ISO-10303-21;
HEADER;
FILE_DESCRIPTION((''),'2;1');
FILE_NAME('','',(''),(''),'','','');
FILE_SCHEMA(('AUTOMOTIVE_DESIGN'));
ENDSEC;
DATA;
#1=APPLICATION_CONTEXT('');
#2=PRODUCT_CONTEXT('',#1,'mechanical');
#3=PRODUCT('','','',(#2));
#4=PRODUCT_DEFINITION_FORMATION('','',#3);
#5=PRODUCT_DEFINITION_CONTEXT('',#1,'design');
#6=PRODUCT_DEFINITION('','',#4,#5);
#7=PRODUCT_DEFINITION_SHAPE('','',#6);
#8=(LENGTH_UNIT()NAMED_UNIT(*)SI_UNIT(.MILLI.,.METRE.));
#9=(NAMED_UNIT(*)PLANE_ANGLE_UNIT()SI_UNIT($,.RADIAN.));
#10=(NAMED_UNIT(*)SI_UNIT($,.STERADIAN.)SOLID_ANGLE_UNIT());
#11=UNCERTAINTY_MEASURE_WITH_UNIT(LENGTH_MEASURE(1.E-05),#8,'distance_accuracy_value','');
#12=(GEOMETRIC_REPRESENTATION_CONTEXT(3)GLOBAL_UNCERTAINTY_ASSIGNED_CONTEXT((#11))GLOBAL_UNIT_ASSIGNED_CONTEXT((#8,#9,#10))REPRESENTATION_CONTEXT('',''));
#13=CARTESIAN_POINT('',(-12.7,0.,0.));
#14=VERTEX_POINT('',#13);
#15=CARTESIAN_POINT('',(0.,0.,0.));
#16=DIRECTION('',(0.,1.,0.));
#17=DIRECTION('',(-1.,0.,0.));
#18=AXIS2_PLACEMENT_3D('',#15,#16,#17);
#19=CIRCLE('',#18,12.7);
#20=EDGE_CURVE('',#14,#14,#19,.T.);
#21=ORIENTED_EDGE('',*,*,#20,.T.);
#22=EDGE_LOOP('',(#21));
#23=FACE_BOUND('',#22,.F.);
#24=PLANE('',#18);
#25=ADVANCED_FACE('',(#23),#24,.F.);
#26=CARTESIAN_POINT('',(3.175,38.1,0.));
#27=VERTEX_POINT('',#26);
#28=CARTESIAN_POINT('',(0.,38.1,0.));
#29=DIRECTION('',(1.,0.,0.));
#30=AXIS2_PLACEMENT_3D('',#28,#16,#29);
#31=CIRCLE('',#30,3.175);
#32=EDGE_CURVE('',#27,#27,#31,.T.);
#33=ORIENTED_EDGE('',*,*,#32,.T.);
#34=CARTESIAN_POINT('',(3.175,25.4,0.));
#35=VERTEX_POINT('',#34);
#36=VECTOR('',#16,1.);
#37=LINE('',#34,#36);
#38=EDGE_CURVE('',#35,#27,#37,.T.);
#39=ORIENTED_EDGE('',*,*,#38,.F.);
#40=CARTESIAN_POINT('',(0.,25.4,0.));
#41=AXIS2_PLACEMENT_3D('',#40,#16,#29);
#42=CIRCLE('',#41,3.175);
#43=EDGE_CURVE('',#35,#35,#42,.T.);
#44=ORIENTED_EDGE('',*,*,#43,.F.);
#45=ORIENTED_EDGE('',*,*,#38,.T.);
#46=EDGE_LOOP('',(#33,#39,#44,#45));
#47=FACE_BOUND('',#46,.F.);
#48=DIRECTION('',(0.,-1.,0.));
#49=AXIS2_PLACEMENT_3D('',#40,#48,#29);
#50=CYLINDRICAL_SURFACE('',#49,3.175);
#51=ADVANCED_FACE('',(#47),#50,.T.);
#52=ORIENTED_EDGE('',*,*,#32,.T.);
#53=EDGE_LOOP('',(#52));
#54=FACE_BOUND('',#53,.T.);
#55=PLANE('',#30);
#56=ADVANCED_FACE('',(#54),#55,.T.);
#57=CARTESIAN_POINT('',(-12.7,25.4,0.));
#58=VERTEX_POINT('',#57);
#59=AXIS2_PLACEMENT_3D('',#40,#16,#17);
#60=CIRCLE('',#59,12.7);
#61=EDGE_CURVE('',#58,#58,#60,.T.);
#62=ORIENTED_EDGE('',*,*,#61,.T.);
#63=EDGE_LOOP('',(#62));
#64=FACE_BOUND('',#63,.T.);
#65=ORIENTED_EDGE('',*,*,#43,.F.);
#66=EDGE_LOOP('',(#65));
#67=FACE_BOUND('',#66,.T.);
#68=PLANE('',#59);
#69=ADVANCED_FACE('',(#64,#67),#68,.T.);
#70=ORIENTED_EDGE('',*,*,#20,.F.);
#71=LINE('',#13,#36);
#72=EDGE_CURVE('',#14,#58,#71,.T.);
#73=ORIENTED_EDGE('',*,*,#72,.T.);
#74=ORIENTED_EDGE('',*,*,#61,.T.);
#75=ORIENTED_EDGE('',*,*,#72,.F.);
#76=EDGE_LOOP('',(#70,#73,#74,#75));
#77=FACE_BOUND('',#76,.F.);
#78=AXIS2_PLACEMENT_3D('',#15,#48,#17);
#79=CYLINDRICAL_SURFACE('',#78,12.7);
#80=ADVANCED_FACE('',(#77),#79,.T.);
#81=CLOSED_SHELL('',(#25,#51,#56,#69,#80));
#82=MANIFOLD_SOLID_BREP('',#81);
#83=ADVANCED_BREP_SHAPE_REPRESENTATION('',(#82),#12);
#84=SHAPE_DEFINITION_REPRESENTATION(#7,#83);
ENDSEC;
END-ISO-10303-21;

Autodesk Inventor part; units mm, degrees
ref_plane "YZ Plane" through (0, 0, 0) normal (1, 0, 0) x (0, 1, 0)
ref_plane "XZ Plane" through (0, 0, 0) normal (0, 1, 0) x (-1, 0, 0)
ref_plane "XY Plane" through (0, 0, 0) normal (0, 0, 1) x (1, 0, 0)
sketch "Sketch1" plane through (0, 0, 0) normal (0, 1, 0) x (-1, 0, 0)
  circle A0 centre (0, 0) radius 12.7
  dimension "d0" = 25.4
extrude "Extrusion1" add sketch "Sketch1" along normal blind 25.4
sketch "Sketch2" plane through (0, 25.4, 0) normal (0, 1, 0) x (1, 0, 0)
  circle A0 centre (0, 0) radius 12.7 projected
  circle A1 centre (0, 0) radius 3.175
  dimension "d3" = 6.35
extrude "Extrusion2" add sketch "Sketch2" along normal blind 12.7 contours A1
properties part number "motorBodyAndShaft01"
